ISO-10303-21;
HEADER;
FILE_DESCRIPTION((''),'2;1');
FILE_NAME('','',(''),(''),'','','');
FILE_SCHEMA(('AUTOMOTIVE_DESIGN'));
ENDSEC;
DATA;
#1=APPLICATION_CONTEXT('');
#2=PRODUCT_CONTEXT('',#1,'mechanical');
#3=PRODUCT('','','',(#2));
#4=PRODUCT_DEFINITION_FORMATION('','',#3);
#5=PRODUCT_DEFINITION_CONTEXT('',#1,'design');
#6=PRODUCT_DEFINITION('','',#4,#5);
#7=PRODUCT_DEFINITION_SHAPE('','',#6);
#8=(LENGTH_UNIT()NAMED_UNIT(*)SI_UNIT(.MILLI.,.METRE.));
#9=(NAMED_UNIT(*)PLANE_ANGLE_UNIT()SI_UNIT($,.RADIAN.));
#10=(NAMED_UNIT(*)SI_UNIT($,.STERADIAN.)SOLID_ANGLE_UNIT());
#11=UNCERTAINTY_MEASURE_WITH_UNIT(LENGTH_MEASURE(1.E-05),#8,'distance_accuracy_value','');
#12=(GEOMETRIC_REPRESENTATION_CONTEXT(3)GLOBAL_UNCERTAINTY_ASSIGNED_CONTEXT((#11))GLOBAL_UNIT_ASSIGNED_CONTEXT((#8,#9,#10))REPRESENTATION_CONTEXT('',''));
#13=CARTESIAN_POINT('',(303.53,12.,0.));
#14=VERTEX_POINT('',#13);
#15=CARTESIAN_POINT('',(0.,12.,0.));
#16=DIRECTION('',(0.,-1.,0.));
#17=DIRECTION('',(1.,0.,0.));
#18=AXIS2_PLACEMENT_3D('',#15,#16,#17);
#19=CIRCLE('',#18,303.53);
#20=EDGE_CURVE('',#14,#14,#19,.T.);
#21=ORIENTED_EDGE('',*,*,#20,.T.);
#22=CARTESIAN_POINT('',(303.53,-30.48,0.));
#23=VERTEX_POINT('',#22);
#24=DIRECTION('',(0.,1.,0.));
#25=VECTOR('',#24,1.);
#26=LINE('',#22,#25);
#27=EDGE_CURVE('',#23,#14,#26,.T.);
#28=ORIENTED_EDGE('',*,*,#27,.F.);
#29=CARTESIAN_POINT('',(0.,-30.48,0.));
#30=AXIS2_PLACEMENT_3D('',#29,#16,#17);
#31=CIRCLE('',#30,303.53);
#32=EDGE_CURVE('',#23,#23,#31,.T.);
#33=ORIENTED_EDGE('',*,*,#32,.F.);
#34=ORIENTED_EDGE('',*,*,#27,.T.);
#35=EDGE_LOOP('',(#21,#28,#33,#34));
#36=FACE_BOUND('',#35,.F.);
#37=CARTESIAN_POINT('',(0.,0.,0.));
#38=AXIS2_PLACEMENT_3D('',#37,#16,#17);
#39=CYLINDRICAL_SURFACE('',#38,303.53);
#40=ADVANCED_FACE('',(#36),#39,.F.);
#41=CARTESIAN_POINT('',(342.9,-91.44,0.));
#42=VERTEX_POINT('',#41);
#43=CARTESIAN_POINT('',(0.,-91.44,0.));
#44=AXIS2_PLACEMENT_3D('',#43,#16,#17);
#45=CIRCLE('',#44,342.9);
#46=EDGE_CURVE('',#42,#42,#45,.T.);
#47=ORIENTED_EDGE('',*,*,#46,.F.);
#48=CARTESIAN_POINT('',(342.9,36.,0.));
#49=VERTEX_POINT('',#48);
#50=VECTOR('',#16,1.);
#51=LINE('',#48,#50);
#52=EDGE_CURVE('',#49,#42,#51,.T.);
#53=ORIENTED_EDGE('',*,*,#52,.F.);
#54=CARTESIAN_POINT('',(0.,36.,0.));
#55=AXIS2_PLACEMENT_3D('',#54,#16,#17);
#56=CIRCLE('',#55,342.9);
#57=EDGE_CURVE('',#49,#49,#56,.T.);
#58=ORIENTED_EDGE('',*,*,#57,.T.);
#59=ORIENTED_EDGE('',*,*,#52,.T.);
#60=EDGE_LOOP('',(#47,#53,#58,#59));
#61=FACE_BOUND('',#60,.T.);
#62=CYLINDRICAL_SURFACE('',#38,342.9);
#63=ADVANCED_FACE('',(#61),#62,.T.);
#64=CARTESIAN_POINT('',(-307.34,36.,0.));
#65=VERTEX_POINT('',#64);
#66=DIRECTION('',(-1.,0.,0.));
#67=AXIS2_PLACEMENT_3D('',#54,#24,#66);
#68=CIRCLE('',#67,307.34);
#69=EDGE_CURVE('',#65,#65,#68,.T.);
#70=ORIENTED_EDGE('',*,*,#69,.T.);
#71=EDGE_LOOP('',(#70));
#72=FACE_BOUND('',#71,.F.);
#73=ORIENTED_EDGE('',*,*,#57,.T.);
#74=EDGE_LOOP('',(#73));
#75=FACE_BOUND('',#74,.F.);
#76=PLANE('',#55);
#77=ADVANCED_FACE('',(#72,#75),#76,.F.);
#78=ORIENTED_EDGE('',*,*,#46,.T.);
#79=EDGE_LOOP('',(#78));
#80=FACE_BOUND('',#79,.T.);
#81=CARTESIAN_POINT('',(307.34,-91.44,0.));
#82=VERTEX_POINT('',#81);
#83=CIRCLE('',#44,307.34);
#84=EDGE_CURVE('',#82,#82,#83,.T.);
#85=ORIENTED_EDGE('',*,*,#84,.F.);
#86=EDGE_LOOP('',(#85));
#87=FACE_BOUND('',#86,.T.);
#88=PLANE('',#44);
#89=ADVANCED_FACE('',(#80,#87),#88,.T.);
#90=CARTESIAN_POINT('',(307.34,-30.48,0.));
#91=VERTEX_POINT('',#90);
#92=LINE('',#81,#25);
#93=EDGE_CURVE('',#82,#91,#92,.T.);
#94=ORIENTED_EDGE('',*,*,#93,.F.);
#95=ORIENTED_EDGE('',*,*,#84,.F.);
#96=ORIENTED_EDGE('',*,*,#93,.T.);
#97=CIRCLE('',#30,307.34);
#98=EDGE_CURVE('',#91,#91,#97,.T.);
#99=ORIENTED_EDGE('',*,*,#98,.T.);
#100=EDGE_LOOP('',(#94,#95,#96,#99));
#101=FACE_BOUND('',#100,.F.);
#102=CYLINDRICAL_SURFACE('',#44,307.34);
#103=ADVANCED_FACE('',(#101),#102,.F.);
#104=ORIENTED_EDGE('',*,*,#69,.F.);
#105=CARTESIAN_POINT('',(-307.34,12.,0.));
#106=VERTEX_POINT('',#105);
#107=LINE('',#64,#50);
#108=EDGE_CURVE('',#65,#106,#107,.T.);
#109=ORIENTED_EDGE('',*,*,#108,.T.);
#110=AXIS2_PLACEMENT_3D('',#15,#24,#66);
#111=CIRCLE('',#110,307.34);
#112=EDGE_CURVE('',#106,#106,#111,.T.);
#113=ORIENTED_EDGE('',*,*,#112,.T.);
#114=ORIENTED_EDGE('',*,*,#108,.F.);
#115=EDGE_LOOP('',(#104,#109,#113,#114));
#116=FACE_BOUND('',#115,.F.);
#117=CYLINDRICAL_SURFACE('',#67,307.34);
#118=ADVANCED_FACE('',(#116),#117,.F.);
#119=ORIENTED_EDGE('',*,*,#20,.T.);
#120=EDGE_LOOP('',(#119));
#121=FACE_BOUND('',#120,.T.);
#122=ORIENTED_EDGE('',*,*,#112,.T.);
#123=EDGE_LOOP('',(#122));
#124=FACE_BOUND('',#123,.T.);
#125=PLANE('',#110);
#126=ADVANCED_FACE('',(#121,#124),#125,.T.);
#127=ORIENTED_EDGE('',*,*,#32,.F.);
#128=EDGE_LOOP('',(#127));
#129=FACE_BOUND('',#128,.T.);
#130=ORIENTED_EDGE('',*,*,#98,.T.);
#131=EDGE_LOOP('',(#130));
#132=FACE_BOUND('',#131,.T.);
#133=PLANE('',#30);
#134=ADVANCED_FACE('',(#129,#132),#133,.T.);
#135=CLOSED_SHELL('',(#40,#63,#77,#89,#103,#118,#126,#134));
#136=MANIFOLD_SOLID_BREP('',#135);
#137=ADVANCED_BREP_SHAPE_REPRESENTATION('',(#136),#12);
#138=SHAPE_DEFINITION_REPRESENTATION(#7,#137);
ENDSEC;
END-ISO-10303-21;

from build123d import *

# Parameters (mm, degrees)
F0_R          = 342.9
F0_R_2        = 303.53
F1_DEPTH      = 91.44
F1_DEPTH_BACK = 36
F2_R          = 307.34
F2_R_2        = 303.53
F3_DEPTH      = 60.96
F4_R          = 307.34
F4_R_2        = 303.53
F5_DEPTH      = 24


with BuildPart() as f1:
    # F0 (on Front) → F1 (new body, two sides)
    with BuildSketch(Plane.XZ) as f1_sk:
        Circle(F0_R)
        Circle(F0_R_2, mode=Mode.SUBTRACT)
    extrude(amount=F1_DEPTH)
    extrude(f1_sk.sketch, amount=-F1_DEPTH_BACK)

    # F2 (on face) → F3 (cut)
    with BuildSketch(Plane.XZ.offset(91.44)):
        Circle(F2_R)
        Circle(F2_R_2, mode=Mode.SUBTRACT)
    extrude(amount=-F3_DEPTH, mode=Mode.SUBTRACT)

    # F4 (on face) → F5 (cut)
    with BuildSketch(Plane(origin=(0, 36, 0), x_dir=(-1, 0, 0), z_dir=(0, 1, 0))):
        Circle(F4_R)
        Circle(F4_R_2, mode=Mode.SUBTRACT)
    extrude(amount=-F5_DEPTH, mode=Mode.SUBTRACT)


solid = f1.part
